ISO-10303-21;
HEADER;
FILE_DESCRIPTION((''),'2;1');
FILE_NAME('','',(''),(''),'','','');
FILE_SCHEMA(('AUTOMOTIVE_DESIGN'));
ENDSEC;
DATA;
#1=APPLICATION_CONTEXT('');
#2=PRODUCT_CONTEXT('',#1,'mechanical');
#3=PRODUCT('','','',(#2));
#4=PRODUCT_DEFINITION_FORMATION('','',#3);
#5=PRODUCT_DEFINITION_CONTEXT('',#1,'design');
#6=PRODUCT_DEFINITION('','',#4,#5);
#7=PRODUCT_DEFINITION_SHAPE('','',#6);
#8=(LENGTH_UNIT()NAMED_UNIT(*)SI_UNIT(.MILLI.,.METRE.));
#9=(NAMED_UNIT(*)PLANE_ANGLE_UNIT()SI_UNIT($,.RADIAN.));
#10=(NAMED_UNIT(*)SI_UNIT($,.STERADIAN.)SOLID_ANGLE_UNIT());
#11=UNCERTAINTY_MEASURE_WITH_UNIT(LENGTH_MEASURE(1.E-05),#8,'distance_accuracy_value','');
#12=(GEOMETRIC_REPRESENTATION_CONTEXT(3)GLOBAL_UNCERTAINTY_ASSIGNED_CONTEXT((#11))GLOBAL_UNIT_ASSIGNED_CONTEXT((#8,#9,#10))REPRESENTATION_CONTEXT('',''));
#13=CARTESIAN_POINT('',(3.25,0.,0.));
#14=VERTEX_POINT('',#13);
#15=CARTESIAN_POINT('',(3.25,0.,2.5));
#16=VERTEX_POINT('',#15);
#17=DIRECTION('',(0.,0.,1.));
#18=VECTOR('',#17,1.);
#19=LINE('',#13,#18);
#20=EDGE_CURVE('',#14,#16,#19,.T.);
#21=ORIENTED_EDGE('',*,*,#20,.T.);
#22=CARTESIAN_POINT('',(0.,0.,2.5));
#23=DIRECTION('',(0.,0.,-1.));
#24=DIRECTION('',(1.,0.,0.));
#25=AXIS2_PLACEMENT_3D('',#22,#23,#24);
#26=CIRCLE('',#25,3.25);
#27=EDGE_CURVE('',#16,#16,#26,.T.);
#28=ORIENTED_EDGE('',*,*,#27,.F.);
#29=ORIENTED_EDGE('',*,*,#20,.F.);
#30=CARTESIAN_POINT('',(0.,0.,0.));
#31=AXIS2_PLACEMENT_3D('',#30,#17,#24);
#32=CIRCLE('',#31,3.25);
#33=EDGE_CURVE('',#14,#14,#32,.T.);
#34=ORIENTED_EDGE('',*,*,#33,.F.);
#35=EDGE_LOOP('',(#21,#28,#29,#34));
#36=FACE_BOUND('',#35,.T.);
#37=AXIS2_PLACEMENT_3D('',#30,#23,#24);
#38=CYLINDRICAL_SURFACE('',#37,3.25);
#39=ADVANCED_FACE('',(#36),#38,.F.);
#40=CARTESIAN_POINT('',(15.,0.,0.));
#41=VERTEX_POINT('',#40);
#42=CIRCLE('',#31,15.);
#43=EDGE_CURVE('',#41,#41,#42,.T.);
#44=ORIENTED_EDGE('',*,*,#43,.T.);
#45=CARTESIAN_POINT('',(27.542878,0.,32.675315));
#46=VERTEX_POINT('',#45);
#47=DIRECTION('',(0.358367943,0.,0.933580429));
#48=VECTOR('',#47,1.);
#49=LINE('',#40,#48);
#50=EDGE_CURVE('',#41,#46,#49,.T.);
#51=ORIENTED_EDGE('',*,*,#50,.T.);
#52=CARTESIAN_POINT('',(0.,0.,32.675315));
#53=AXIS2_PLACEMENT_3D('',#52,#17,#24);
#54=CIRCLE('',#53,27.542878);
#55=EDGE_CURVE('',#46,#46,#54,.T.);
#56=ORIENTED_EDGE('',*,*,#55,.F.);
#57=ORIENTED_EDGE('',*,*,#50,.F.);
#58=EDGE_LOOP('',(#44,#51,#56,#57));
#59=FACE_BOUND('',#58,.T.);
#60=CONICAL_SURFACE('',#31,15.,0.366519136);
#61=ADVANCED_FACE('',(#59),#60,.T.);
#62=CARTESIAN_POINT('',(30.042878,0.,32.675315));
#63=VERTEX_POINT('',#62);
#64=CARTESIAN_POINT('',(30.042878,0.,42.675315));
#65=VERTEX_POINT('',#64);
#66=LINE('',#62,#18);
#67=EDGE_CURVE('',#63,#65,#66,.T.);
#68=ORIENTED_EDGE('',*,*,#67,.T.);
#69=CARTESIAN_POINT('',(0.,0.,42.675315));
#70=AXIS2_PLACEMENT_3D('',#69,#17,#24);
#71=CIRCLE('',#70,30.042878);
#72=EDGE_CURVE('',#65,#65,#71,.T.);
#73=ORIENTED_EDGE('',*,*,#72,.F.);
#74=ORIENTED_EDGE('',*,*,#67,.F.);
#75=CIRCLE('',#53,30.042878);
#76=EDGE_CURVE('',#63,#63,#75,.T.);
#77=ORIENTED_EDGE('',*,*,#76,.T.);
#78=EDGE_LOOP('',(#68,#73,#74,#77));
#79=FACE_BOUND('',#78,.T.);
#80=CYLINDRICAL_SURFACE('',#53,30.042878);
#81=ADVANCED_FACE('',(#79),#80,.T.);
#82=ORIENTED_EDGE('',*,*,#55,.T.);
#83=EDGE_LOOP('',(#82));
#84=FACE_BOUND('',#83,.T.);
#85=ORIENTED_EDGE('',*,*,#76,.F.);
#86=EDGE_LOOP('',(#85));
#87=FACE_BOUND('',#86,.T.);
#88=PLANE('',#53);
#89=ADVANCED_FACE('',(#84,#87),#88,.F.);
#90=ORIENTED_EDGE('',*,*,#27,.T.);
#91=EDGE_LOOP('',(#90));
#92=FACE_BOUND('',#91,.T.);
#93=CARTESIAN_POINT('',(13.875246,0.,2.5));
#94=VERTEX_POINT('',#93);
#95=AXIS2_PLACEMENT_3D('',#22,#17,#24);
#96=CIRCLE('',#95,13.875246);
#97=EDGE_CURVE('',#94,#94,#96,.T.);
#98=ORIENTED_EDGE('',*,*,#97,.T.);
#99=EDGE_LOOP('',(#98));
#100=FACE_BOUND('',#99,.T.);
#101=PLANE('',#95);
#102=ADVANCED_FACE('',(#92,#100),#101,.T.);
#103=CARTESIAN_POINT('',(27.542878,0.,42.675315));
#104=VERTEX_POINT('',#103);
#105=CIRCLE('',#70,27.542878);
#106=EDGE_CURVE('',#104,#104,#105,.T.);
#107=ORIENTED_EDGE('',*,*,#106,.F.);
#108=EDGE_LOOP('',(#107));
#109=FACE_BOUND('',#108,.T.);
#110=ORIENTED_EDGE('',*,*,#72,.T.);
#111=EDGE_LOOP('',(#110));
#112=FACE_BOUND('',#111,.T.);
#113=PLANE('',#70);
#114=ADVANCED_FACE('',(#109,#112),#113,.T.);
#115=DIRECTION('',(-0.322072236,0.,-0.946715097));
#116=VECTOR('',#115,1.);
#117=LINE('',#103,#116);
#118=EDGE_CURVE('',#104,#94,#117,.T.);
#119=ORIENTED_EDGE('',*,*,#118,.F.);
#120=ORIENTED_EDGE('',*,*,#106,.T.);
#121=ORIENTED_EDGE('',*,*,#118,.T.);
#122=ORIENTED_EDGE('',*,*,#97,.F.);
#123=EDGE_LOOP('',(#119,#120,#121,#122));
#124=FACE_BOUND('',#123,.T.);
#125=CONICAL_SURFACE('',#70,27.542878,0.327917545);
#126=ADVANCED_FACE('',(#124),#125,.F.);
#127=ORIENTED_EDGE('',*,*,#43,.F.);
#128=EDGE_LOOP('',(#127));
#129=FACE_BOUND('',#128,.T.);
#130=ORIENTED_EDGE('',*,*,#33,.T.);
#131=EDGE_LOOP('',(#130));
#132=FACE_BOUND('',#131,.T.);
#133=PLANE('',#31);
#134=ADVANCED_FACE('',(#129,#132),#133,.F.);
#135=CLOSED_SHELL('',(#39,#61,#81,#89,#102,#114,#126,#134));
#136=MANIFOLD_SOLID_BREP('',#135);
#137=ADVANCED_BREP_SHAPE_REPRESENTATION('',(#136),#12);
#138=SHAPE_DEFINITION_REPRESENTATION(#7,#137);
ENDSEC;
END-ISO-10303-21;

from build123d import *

# Parameters (mm, degrees)
F2_R     = 3.25
F3_DEPTH = 42.676315


with BuildPart() as f1:
    # F0 (on Front) → F1 (revolve)
    with BuildSketch(Plane.XZ):
        Polygon((0, 2.5), (0, 0), (1.629259, 0), (15, 0), (27.542878, 32.675315), (30.042878, 32.675315), (30.042878, 42.675315), (27.542878, 42.675315), (13.875246, 2.5), (1.629259, 2.5), align=None)
    revolve(axis=Axis((0, 0, 21.337657), (0, 0, 1)))

    # F2 (on Top) → F3 (cut, through all)
    with BuildSketch(Plane.XY):
        Circle(F2_R)
    extrude(amount=F3_DEPTH, mode=Mode.SUBTRACT)


solid = f1.part
